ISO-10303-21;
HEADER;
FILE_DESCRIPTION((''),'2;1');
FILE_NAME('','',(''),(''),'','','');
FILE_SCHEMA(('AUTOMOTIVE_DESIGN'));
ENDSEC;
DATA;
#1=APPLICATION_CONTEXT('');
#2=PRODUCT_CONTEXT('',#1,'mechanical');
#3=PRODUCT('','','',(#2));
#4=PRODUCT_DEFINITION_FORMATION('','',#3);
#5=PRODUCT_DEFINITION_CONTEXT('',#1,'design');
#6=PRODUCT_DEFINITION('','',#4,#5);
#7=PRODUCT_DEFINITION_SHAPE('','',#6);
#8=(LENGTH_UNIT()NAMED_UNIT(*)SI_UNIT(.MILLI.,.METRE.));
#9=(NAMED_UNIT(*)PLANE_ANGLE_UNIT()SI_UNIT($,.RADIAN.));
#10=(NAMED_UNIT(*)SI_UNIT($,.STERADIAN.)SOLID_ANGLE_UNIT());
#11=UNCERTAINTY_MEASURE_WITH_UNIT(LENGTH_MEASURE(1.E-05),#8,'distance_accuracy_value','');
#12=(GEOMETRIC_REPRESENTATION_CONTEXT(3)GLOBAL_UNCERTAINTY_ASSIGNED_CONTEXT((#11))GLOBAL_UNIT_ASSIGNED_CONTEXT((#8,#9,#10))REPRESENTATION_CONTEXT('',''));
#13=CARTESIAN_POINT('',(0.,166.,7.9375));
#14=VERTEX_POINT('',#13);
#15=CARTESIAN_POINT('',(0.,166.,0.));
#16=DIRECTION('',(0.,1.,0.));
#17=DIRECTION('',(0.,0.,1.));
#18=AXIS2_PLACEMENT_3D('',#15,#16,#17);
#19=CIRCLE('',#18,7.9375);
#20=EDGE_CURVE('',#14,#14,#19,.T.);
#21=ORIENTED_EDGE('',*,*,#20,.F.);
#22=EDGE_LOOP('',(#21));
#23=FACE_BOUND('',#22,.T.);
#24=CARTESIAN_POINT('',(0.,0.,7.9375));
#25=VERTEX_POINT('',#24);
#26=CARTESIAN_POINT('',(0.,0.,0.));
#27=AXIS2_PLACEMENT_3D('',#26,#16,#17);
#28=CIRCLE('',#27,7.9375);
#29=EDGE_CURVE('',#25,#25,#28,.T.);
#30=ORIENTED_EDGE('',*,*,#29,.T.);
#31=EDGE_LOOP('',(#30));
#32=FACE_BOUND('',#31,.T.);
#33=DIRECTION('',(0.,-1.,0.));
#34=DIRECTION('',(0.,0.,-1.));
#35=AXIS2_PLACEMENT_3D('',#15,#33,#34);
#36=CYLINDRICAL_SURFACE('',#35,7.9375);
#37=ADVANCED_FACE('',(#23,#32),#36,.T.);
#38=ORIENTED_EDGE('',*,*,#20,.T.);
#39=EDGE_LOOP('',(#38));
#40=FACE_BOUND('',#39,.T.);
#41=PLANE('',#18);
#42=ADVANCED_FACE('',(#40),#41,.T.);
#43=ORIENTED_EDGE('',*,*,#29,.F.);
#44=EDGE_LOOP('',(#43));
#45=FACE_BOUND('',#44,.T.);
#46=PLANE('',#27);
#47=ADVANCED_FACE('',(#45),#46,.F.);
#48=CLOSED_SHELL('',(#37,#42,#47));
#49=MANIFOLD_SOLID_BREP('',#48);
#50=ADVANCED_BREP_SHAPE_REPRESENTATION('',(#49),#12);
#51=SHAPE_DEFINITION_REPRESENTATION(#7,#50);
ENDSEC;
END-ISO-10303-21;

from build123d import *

# Parameters (mm, degrees)
SKETCH1_R           = 7.9375
BOSS_EXTRUDE1_DEPTH = 166


with BuildPart() as part:
    # Sketch1 → Boss-Extrude1 (new body)
    with BuildSketch(Plane(origin=(0, 0, 0), x_dir=(1, 0, 0), z_dir=(0, 1, 0))):
        Circle(SKETCH1_R)
    extrude(amount=BOSS_EXTRUDE1_DEPTH)


solid = part.part
